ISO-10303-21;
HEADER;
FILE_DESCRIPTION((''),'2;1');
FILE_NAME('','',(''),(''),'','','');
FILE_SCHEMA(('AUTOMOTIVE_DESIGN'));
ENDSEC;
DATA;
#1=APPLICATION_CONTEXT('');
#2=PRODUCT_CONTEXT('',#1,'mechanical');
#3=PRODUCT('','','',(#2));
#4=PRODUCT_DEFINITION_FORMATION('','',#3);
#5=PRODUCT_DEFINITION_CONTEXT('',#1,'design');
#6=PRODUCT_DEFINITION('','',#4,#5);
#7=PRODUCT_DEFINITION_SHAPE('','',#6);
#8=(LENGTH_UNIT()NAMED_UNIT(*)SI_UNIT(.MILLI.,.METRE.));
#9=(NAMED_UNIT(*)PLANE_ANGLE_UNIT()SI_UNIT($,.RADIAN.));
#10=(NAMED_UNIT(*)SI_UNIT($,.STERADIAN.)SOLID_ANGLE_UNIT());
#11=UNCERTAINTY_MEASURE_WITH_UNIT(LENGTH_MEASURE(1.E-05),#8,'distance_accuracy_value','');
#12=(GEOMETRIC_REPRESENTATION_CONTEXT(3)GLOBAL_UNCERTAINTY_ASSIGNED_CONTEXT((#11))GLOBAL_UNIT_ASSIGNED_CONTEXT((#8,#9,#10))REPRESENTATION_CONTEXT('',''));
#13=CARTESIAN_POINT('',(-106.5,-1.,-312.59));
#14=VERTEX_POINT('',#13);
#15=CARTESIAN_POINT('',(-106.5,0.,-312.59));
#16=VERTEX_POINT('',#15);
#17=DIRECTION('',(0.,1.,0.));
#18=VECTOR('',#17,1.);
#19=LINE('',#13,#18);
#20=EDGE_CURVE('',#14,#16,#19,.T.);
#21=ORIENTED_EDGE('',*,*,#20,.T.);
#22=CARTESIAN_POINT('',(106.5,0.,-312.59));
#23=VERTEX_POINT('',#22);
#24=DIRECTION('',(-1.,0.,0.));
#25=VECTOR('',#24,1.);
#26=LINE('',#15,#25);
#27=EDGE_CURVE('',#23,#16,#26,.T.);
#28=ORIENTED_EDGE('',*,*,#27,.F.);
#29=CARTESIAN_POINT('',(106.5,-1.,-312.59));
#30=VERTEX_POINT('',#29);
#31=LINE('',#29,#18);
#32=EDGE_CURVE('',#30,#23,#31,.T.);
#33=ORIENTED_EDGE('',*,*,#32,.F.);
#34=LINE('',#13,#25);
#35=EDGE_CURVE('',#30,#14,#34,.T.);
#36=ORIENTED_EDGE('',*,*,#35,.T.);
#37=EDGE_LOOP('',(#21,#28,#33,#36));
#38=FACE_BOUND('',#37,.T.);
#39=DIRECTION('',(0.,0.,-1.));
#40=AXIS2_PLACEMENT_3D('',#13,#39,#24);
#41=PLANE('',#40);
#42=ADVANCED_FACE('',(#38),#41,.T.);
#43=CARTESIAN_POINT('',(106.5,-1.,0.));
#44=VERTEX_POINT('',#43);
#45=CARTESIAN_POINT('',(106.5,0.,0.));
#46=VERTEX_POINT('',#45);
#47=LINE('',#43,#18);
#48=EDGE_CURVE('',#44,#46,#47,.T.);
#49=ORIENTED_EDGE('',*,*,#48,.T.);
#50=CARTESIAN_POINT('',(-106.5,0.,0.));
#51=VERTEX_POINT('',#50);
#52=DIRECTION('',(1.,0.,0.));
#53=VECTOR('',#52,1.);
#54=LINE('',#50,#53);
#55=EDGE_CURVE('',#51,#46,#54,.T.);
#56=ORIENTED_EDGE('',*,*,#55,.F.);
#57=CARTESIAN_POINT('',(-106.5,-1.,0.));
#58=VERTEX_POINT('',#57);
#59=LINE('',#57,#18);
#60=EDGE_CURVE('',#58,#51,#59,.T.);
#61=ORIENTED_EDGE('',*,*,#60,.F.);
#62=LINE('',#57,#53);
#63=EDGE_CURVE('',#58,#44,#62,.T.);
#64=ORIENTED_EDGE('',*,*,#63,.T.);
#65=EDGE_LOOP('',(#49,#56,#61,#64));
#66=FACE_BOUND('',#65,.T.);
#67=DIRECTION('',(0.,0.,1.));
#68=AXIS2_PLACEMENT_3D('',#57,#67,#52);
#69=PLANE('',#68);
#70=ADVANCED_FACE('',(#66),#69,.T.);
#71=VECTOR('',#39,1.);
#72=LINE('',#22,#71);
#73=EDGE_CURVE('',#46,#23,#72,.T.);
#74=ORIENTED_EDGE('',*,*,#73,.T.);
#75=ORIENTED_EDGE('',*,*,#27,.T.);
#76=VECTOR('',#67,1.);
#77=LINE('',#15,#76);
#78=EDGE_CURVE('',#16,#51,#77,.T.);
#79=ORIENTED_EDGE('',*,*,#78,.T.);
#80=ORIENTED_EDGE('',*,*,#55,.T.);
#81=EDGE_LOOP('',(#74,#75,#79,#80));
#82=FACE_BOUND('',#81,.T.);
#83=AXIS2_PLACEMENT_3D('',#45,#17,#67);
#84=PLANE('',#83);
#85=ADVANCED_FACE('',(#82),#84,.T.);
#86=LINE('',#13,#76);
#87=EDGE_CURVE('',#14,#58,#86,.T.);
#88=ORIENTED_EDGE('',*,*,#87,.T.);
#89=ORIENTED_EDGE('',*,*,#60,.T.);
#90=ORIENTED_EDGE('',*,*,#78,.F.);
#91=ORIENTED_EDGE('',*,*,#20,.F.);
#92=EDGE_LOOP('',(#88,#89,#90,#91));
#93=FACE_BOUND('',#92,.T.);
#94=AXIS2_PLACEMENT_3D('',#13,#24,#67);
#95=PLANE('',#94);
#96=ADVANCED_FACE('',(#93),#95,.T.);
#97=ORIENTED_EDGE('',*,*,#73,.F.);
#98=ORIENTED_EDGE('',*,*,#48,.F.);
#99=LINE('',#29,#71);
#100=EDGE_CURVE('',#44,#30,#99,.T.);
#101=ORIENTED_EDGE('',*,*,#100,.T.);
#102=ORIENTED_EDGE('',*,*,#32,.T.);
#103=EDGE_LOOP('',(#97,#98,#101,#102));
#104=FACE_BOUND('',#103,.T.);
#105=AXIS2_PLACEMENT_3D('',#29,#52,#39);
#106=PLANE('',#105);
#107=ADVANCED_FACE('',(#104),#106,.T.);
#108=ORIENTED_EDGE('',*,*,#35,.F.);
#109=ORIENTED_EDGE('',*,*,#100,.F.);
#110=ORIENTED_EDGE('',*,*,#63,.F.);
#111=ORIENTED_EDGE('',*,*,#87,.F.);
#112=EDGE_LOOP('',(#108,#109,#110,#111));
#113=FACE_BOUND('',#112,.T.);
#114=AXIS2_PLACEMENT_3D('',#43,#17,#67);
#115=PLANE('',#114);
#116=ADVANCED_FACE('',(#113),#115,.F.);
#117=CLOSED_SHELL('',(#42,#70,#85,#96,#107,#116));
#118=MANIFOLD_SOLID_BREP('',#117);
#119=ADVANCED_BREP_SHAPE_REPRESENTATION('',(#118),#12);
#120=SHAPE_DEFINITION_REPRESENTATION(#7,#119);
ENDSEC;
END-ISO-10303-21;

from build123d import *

# Parameters (mm, degrees)
SKETCH2_W           = 213
SKETCH2_H           = 312.59
BOSS_EXTRUDE1_DEPTH = 1


with BuildPart() as part:
    # Sketch2 → Boss-Extrude1 (new body)
    with BuildSketch(Plane(origin=(0, 0, 0), x_dir=(1, 0, 0), z_dir=(0, 1, 0))):
        with Locations((0, 156.295)):
            Rectangle(SKETCH2_W, SKETCH2_H)
    extrude(amount=-BOSS_EXTRUDE1_DEPTH)


solid = part.part
